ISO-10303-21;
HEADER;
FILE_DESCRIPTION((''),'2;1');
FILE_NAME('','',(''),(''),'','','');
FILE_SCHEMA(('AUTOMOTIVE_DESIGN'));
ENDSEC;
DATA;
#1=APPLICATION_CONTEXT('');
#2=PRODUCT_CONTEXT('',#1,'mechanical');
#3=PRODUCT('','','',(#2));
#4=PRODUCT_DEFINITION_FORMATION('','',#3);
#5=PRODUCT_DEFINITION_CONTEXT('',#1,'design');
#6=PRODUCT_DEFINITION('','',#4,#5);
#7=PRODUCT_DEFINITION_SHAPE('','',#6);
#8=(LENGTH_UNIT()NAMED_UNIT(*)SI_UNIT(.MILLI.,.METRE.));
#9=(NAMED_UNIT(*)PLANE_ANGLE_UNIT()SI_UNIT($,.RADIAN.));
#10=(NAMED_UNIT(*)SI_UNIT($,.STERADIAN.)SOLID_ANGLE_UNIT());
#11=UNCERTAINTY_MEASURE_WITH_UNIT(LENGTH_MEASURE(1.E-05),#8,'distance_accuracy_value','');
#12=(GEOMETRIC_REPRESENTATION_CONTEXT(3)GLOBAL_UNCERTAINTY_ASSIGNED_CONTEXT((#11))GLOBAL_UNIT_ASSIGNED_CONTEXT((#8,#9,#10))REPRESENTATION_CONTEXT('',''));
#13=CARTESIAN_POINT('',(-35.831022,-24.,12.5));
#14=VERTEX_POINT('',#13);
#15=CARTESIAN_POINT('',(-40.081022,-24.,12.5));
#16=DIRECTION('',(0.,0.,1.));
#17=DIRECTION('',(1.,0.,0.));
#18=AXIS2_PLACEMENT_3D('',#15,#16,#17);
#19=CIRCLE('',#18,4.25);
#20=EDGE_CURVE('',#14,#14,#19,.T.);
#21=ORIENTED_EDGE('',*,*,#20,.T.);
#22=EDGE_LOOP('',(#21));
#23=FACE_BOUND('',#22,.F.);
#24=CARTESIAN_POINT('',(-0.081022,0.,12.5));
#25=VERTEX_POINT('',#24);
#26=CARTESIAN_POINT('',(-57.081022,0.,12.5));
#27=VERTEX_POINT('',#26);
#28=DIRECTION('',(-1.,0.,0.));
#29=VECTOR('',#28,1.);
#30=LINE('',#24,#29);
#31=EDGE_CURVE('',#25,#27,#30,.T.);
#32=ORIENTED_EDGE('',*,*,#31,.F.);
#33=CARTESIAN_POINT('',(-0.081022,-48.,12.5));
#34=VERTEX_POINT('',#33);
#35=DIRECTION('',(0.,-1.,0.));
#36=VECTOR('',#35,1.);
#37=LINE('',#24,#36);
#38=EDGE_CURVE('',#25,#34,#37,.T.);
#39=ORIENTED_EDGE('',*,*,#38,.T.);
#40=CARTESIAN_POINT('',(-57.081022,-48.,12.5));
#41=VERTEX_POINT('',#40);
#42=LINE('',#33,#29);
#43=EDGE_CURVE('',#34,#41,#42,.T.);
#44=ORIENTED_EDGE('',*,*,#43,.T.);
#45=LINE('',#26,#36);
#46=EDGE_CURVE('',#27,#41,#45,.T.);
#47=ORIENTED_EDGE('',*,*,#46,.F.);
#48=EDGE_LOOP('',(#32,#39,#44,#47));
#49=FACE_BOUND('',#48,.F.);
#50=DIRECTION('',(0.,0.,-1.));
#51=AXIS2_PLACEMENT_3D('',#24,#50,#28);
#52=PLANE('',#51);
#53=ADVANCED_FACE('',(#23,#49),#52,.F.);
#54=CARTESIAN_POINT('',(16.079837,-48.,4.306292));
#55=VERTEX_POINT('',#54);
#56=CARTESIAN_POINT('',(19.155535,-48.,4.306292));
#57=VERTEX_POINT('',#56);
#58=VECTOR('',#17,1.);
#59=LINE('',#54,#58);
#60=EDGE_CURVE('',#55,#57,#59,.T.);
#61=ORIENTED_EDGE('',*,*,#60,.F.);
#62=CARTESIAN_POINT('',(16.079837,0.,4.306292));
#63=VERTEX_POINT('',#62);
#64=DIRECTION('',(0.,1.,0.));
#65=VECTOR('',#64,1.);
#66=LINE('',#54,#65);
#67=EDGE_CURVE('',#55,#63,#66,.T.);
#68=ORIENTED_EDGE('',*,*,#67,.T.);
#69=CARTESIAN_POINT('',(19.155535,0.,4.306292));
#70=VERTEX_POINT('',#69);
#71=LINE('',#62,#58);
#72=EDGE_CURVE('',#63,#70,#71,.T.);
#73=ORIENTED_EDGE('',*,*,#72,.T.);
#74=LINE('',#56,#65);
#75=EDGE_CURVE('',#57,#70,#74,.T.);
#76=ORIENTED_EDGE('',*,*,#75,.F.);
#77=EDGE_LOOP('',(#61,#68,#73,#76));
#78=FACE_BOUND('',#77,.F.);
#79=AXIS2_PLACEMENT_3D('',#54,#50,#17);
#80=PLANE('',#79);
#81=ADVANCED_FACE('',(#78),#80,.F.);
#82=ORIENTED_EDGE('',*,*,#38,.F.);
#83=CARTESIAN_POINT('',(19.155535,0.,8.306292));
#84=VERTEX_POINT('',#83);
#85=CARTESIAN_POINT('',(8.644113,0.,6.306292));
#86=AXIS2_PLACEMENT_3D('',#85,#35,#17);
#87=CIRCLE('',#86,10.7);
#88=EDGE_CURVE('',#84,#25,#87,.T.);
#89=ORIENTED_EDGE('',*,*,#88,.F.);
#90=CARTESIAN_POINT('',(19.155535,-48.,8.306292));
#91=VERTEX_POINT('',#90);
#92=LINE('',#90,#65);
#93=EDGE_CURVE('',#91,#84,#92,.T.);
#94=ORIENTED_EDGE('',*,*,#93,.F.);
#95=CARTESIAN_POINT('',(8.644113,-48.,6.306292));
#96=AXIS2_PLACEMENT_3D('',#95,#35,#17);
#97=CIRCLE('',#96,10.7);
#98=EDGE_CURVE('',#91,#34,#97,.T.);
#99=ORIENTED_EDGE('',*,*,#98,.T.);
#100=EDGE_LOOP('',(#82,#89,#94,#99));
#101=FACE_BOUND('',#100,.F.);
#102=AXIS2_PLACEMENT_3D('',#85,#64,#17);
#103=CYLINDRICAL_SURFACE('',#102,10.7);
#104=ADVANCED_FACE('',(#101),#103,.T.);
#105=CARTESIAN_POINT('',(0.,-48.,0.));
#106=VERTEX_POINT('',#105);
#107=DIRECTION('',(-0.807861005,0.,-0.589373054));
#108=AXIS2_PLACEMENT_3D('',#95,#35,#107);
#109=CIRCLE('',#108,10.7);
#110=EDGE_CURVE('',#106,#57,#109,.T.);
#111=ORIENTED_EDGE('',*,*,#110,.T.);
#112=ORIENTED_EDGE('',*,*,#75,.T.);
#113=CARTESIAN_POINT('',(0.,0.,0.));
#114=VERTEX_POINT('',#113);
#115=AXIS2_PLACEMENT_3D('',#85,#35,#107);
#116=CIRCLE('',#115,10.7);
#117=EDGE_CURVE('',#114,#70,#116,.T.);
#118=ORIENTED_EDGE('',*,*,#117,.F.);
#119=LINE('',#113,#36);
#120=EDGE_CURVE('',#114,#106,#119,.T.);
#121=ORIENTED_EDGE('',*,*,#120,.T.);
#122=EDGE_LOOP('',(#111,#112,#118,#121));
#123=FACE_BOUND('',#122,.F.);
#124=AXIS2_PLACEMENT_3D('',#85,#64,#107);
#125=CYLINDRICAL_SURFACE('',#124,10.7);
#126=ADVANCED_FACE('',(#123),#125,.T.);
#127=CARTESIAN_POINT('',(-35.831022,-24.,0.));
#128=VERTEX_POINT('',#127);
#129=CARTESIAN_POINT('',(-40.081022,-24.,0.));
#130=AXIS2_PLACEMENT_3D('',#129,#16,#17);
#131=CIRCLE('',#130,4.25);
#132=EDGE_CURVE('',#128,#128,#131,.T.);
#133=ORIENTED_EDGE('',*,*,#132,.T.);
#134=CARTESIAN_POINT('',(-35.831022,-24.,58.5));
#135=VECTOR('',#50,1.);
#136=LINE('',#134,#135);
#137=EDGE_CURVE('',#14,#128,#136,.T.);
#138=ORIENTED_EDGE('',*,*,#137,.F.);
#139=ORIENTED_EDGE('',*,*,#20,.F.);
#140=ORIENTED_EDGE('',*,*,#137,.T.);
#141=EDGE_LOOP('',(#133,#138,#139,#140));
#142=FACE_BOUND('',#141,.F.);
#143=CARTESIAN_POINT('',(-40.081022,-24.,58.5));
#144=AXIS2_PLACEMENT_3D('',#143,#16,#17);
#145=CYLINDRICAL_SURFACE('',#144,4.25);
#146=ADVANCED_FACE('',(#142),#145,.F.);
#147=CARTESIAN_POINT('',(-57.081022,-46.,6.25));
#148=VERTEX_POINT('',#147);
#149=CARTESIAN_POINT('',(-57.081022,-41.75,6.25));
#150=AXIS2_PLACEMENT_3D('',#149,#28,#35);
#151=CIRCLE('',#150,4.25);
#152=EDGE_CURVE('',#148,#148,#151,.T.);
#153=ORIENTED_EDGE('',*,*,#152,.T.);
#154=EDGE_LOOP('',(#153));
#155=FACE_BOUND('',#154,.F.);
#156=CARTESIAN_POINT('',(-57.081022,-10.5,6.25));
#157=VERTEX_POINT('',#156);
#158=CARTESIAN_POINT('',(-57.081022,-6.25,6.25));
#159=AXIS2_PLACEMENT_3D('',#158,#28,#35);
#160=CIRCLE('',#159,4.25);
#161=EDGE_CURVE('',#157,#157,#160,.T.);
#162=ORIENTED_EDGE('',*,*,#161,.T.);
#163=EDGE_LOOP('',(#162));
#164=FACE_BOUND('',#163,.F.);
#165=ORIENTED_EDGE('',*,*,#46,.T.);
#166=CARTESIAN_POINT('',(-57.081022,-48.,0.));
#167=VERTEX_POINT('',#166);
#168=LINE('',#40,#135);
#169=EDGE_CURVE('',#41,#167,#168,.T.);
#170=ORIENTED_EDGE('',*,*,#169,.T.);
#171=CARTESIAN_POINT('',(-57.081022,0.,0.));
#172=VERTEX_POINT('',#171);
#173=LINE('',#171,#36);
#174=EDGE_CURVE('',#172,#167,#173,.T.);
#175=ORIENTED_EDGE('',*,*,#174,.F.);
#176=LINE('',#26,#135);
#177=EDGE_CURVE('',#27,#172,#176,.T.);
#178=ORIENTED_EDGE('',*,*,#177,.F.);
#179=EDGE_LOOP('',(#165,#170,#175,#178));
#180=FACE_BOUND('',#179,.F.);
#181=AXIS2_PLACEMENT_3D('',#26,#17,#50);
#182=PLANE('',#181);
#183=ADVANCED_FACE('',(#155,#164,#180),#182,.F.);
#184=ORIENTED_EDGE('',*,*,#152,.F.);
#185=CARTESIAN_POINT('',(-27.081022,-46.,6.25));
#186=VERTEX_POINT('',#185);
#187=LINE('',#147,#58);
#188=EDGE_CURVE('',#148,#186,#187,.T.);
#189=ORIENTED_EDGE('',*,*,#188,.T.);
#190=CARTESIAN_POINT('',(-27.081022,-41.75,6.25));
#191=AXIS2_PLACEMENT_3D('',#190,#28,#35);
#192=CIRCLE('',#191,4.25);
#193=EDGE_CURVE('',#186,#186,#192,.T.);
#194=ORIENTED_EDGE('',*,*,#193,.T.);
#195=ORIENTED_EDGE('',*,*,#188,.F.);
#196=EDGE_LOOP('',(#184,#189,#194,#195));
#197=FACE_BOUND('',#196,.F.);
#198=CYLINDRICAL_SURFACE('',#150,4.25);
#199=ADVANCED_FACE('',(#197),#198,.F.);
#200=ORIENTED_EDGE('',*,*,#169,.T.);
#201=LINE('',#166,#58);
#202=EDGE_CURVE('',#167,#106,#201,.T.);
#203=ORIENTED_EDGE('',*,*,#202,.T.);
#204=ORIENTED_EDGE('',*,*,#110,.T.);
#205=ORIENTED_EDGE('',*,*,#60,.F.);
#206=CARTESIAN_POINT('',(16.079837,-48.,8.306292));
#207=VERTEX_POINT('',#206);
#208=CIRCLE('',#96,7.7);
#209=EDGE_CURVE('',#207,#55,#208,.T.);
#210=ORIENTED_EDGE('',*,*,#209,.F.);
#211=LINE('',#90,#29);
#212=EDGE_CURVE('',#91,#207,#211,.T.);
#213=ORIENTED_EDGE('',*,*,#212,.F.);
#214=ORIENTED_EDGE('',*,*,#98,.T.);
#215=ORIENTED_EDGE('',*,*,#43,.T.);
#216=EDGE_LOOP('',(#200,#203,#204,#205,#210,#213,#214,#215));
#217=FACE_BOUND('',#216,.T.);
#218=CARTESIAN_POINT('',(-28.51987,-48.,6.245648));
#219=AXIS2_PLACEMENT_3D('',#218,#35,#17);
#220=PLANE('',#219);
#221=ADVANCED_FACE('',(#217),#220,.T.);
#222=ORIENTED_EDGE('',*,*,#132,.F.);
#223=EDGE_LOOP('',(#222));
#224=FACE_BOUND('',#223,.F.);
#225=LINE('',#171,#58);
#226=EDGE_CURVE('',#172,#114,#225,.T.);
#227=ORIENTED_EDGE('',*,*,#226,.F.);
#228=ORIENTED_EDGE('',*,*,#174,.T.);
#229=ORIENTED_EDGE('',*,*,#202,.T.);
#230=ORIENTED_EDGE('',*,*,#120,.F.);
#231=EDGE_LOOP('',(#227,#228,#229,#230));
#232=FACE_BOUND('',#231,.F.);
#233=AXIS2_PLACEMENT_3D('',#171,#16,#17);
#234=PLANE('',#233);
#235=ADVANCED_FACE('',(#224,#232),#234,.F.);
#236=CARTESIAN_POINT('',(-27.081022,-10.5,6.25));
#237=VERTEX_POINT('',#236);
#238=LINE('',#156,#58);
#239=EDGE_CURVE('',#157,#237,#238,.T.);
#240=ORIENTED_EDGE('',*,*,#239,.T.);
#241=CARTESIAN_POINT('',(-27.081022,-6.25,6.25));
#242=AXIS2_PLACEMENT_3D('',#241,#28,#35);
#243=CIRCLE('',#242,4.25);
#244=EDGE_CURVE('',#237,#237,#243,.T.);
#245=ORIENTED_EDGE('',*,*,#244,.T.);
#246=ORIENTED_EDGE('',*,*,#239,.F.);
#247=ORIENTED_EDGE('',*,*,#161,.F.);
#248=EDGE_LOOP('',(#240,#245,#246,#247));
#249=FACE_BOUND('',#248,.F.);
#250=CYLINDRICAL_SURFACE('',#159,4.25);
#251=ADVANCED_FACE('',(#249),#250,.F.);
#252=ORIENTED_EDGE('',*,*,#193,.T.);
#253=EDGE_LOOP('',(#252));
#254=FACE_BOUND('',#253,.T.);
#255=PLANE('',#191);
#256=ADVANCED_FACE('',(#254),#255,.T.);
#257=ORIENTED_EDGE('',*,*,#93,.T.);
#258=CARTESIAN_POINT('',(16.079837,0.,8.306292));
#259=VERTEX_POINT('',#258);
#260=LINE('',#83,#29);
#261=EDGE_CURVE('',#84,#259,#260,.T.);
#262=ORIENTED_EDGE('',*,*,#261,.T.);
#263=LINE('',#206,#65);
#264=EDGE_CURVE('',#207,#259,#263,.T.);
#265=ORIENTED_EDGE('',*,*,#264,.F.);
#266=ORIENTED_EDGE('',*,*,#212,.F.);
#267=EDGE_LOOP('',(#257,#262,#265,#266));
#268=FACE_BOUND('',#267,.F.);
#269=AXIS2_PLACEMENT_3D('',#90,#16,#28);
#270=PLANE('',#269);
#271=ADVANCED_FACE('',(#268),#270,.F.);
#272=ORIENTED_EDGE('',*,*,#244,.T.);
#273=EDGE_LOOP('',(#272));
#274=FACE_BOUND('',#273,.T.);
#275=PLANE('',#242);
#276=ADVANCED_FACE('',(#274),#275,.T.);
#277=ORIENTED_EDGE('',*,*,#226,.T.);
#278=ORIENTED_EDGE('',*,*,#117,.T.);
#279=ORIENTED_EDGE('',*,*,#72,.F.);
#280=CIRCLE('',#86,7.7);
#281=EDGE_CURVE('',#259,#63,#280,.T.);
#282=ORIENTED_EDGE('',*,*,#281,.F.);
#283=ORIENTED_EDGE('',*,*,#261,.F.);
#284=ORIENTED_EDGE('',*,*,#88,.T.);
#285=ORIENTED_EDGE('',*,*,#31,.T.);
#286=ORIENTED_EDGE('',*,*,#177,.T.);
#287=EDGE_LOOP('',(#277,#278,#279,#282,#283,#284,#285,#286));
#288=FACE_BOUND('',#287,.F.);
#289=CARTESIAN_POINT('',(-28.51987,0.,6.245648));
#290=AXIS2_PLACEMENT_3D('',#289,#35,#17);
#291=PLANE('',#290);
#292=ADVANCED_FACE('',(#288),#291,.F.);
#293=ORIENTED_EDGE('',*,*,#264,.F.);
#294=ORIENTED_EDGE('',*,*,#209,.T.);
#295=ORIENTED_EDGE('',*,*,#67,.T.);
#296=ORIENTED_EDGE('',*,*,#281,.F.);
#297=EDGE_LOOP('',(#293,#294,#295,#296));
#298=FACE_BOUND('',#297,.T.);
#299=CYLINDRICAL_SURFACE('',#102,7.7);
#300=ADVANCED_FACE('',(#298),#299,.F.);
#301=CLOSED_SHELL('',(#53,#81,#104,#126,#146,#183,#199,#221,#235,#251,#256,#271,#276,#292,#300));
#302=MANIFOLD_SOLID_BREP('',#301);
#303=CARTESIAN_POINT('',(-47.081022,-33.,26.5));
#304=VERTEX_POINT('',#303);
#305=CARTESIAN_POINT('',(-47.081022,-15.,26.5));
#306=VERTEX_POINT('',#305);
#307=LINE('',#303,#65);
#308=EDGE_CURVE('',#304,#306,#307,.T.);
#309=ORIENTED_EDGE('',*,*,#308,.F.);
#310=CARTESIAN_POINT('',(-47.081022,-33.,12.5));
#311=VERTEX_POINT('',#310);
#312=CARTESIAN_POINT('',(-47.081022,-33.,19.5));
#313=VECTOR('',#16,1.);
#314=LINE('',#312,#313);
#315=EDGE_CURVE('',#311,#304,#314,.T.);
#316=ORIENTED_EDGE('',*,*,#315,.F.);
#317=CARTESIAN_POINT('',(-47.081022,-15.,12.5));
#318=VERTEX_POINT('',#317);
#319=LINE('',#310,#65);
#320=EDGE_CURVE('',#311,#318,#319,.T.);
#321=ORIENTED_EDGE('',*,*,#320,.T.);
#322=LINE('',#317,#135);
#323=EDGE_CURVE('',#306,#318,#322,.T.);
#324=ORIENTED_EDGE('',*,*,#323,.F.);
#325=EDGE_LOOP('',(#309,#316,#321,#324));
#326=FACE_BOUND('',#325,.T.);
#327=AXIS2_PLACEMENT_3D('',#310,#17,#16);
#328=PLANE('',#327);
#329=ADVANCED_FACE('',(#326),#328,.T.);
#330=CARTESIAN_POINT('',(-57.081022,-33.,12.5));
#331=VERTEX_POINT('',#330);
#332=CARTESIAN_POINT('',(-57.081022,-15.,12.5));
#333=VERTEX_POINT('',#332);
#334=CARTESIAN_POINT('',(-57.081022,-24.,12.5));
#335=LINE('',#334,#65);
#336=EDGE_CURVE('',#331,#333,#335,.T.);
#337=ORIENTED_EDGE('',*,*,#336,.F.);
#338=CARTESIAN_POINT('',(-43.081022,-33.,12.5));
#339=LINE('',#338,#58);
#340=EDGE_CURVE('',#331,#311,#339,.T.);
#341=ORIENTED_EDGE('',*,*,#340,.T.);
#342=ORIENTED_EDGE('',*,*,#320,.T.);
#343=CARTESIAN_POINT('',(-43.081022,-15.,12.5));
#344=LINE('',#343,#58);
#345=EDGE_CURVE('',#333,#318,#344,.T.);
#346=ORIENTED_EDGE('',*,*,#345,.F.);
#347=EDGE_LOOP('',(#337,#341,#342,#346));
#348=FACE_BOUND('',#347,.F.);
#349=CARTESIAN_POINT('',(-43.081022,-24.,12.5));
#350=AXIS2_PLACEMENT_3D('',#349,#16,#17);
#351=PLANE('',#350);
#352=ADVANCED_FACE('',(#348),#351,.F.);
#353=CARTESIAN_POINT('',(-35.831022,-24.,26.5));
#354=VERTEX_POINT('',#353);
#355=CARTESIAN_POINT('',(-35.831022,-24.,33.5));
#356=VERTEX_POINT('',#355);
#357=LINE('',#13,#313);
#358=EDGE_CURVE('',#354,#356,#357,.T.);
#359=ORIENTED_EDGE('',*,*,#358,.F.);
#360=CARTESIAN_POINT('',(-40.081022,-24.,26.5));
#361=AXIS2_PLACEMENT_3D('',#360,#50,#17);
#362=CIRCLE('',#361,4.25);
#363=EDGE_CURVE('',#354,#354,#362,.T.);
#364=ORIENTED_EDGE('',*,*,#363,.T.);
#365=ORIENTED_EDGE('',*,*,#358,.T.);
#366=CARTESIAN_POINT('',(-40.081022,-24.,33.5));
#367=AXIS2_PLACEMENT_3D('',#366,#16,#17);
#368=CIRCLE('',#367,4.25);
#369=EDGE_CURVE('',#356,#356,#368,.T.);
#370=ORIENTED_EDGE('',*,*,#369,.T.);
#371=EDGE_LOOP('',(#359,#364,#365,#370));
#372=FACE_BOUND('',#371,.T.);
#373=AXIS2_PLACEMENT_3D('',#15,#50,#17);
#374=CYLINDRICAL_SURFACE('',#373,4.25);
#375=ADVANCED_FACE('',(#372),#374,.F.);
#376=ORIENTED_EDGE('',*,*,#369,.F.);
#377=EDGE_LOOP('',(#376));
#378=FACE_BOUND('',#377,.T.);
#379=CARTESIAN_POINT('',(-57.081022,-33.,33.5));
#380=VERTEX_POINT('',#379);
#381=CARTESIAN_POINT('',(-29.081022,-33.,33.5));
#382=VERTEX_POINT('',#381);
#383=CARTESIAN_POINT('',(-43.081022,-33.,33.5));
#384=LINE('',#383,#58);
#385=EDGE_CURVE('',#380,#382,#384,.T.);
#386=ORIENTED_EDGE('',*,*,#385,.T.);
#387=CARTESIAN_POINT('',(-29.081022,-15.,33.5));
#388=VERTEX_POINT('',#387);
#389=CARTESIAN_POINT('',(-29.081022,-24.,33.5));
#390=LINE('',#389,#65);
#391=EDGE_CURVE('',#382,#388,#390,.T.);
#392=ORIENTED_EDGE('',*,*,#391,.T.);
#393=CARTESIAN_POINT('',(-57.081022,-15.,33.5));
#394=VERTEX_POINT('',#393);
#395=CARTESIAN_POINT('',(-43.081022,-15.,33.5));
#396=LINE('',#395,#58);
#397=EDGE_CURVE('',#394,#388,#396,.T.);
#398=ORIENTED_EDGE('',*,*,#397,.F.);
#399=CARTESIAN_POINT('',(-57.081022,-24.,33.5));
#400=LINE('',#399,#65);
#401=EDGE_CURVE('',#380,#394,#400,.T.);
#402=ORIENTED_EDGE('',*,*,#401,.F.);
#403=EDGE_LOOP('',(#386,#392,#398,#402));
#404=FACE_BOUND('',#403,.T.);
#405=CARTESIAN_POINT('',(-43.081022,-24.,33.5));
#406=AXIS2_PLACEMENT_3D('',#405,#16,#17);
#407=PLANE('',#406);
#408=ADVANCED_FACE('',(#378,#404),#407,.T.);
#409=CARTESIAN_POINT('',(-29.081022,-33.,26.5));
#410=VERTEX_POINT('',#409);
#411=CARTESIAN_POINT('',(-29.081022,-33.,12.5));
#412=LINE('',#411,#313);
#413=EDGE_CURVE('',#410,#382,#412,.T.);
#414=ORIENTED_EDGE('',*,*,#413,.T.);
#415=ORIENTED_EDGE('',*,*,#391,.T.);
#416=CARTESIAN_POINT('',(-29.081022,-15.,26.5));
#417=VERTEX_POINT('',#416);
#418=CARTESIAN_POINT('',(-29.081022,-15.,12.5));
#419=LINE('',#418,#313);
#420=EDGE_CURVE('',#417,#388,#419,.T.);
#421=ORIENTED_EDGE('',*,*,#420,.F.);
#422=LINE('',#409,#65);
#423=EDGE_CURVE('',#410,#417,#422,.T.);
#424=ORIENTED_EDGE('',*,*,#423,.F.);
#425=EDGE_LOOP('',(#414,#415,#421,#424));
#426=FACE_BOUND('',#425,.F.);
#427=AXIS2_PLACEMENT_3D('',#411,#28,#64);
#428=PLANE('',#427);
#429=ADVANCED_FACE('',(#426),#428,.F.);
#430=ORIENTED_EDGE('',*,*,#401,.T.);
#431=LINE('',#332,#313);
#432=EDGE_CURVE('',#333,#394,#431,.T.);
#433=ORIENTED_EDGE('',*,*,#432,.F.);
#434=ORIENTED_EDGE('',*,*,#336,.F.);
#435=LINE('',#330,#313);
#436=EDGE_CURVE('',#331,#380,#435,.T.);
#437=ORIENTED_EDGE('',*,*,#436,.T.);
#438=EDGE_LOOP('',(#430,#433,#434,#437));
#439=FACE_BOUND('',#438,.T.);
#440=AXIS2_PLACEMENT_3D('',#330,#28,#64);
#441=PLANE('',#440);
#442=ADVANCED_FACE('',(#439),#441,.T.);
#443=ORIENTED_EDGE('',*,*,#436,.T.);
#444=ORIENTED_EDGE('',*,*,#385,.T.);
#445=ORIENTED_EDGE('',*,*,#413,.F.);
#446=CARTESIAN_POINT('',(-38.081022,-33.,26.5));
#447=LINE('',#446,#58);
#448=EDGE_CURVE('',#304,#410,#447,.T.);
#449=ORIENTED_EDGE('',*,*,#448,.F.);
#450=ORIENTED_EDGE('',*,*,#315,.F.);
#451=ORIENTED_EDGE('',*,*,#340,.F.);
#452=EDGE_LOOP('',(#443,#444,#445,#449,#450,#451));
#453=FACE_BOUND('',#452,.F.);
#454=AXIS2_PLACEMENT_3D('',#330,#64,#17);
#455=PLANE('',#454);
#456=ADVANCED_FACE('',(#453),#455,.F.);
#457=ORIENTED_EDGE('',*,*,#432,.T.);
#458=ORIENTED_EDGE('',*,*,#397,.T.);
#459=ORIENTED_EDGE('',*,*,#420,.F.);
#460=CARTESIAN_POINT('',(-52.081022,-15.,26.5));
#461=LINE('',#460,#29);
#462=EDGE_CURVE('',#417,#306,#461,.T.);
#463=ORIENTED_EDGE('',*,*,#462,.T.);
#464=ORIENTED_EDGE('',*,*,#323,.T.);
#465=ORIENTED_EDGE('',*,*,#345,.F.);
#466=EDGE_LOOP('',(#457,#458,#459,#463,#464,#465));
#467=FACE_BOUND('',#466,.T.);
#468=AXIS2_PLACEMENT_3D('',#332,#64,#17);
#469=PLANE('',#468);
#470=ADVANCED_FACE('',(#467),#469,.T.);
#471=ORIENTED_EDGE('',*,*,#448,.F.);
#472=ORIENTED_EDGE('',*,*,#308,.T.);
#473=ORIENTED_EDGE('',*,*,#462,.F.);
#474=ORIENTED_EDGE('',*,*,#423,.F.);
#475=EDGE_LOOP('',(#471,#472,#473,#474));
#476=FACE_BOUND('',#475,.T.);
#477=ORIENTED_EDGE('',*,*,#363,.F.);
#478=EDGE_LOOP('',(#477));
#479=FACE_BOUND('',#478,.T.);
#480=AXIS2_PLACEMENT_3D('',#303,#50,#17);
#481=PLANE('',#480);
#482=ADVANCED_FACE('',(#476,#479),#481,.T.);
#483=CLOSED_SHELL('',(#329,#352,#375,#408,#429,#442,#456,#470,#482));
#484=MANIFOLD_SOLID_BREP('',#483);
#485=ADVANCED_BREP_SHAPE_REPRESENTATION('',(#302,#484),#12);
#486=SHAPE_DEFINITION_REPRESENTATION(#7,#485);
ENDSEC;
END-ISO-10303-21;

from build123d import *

# Parameters (mm, degrees)
F2_R      = 7.7
F3_DEPTH  = 48
F4_R      = 4.25
F5_DEPTH  = 30
F6_W      = 28
F6_H      = 18
F6_R      = 4.25
F7_DEPTH  = 21
F8_W      = 18
F8_H      = 14
F9_DEPTH  = 25
F10_R     = 4.25
F11_DEPTH = 25
F12_DEPTH = 60
F14_DEPTH = 48


with BuildPart() as f3:
    # F2 (on Front) → F3 (new body)
    with BuildSketch(Plane.XZ):
        with BuildLine():
            Line((-57.0810220509, 0), (0, 0))
            ThreePointArc((0, 0), (-2.0556624872, 6.2369382637), (-0.0810220509, 12.5))
            Line((-0.0810220509, 12.5), (-57.0810220509, 12.5))
            Line((-57.0810220509, 12.5), (-57.0810220509, 0))
        make_face()
        with BuildLine():
            Line((-0.0810220509, 12.5), (0, 0))
            ThreePointArc((0, 0), (11.9605862967, -3.8667611144), (19.344112749, 6.3062916824))
            ThreePointArc((19.344112749, 6.3062916824), (11.894578688, 16.5006269319), (-0.0810220509, 12.5))
        make_face()
        with Locations((8.644112749, 6.3062916824)):
            Circle(F2_R, mode=Mode.SUBTRACT)
        with BuildLine():
            ThreePointArc((-0.0810220509, 12.5), (-2.0556624872, 6.2369382637), (0, 0))
            Line((0, 0), (-0.0810220509, 12.5))
        make_face()
    extrude(amount=F3_DEPTH)

    # F4 (on face) → F5 (cut)
    with BuildSketch(Plane(origin=(-57.0810220509, 0, 0), x_dir=(0, -1, 0), z_dir=(-1, 0, 0))):
        with Locations((6.25, 6.25)):
            Circle(F4_R)
        with Locations((41.75, 6.25)):
            Circle(F4_R)
    extrude(amount=-F5_DEPTH, mode=Mode.SUBTRACT)


with BuildPart() as f7:
    # F6 (on face) → F7 (new body)
    with BuildSketch(Plane.XY.offset(12.5)):
        with Locations((-43.0810220509, -24)):
            Rectangle(F6_W, F6_H)
        with Locations((-40.0810220509, -24)):
            Circle(F6_R, mode=Mode.SUBTRACT)
    extrude(amount=F7_DEPTH)

    # F8 (on face) → F9 (cut)
    with BuildSketch(Plane.XZ.offset(33)):
        with Locations((-38.0810220509, 19.5)):
            Rectangle(F8_W, F8_H)
    extrude(amount=-F9_DEPTH, mode=Mode.SUBTRACT)


with BuildPart() as f11:
    # F10 (on face) → F11 (new body)
    with BuildSketch(Plane.XY.offset(33.5)):
        with Locations((-40.0810220509, -24)):
            Circle(F10_R)
    extrude(amount=F11_DEPTH)


with BuildPart() as f12_tool:
    # F12 (cut): a face of the model
    f12_faces = [f11.part.faces().sort_by_distance(p)[0] for p in [
        (-40.0810220509, -24, 58.5),
    ]]
    extrude(f12_faces, amount=-F12_DEPTH)


with BuildPart() as f3_1:
    add(f3.part)

    # F12: cut by f12_tool
    add(f12_tool.part, mode=Mode.SUBTRACT)

    # F13 (on face) → F14 (cut)
    with BuildSketch(Plane.XZ.offset(48)):
        with BuildLine():
            ThreePointArc((19.1555351075, 4.3062916824), (19.2968640189, 5.3018563277), (19.344112749, 6.3062916824))
            ThreePointArc((19.344112749, 6.3062916824), (19.2968640189, 7.3107270371), (19.1555351075, 8.3062916824))
            Line((19.1555351075, 8.3062916824), (16.079837327, 8.3062916824))
            ThreePointArc((16.079837327, 8.3062916824), (16.2777579873, 7.3149840907), (16.344112749, 6.3062916824))
            ThreePointArc((16.344112749, 6.3062916824), (16.2777579873, 5.297599274), (16.079837327, 4.3062916824))
            Line((16.079837327, 4.3062916824), (19.1555351075, 4.3062916824))
        make_face()
        with BuildLine():
            Line((16.079837327, 8.3062916824), (16.079837327, 4.3062916824))
            ThreePointArc((16.079837327, 4.3062916824), (16.2777579873, 5.297599274), (16.344112749, 6.3062916824))
            ThreePointArc((16.344112749, 6.3062916824), (16.2777579873, 7.3149840907), (16.079837327, 8.3062916824))
        make_face()
    extrude(amount=-F14_DEPTH, mode=Mode.SUBTRACT)


with BuildPart() as f11_1:
    add(f11.part)

    # F12: cut by f12_tool
    add(f12_tool.part, mode=Mode.SUBTRACT)


solid = Compound([f7.part, f3_1.part])
